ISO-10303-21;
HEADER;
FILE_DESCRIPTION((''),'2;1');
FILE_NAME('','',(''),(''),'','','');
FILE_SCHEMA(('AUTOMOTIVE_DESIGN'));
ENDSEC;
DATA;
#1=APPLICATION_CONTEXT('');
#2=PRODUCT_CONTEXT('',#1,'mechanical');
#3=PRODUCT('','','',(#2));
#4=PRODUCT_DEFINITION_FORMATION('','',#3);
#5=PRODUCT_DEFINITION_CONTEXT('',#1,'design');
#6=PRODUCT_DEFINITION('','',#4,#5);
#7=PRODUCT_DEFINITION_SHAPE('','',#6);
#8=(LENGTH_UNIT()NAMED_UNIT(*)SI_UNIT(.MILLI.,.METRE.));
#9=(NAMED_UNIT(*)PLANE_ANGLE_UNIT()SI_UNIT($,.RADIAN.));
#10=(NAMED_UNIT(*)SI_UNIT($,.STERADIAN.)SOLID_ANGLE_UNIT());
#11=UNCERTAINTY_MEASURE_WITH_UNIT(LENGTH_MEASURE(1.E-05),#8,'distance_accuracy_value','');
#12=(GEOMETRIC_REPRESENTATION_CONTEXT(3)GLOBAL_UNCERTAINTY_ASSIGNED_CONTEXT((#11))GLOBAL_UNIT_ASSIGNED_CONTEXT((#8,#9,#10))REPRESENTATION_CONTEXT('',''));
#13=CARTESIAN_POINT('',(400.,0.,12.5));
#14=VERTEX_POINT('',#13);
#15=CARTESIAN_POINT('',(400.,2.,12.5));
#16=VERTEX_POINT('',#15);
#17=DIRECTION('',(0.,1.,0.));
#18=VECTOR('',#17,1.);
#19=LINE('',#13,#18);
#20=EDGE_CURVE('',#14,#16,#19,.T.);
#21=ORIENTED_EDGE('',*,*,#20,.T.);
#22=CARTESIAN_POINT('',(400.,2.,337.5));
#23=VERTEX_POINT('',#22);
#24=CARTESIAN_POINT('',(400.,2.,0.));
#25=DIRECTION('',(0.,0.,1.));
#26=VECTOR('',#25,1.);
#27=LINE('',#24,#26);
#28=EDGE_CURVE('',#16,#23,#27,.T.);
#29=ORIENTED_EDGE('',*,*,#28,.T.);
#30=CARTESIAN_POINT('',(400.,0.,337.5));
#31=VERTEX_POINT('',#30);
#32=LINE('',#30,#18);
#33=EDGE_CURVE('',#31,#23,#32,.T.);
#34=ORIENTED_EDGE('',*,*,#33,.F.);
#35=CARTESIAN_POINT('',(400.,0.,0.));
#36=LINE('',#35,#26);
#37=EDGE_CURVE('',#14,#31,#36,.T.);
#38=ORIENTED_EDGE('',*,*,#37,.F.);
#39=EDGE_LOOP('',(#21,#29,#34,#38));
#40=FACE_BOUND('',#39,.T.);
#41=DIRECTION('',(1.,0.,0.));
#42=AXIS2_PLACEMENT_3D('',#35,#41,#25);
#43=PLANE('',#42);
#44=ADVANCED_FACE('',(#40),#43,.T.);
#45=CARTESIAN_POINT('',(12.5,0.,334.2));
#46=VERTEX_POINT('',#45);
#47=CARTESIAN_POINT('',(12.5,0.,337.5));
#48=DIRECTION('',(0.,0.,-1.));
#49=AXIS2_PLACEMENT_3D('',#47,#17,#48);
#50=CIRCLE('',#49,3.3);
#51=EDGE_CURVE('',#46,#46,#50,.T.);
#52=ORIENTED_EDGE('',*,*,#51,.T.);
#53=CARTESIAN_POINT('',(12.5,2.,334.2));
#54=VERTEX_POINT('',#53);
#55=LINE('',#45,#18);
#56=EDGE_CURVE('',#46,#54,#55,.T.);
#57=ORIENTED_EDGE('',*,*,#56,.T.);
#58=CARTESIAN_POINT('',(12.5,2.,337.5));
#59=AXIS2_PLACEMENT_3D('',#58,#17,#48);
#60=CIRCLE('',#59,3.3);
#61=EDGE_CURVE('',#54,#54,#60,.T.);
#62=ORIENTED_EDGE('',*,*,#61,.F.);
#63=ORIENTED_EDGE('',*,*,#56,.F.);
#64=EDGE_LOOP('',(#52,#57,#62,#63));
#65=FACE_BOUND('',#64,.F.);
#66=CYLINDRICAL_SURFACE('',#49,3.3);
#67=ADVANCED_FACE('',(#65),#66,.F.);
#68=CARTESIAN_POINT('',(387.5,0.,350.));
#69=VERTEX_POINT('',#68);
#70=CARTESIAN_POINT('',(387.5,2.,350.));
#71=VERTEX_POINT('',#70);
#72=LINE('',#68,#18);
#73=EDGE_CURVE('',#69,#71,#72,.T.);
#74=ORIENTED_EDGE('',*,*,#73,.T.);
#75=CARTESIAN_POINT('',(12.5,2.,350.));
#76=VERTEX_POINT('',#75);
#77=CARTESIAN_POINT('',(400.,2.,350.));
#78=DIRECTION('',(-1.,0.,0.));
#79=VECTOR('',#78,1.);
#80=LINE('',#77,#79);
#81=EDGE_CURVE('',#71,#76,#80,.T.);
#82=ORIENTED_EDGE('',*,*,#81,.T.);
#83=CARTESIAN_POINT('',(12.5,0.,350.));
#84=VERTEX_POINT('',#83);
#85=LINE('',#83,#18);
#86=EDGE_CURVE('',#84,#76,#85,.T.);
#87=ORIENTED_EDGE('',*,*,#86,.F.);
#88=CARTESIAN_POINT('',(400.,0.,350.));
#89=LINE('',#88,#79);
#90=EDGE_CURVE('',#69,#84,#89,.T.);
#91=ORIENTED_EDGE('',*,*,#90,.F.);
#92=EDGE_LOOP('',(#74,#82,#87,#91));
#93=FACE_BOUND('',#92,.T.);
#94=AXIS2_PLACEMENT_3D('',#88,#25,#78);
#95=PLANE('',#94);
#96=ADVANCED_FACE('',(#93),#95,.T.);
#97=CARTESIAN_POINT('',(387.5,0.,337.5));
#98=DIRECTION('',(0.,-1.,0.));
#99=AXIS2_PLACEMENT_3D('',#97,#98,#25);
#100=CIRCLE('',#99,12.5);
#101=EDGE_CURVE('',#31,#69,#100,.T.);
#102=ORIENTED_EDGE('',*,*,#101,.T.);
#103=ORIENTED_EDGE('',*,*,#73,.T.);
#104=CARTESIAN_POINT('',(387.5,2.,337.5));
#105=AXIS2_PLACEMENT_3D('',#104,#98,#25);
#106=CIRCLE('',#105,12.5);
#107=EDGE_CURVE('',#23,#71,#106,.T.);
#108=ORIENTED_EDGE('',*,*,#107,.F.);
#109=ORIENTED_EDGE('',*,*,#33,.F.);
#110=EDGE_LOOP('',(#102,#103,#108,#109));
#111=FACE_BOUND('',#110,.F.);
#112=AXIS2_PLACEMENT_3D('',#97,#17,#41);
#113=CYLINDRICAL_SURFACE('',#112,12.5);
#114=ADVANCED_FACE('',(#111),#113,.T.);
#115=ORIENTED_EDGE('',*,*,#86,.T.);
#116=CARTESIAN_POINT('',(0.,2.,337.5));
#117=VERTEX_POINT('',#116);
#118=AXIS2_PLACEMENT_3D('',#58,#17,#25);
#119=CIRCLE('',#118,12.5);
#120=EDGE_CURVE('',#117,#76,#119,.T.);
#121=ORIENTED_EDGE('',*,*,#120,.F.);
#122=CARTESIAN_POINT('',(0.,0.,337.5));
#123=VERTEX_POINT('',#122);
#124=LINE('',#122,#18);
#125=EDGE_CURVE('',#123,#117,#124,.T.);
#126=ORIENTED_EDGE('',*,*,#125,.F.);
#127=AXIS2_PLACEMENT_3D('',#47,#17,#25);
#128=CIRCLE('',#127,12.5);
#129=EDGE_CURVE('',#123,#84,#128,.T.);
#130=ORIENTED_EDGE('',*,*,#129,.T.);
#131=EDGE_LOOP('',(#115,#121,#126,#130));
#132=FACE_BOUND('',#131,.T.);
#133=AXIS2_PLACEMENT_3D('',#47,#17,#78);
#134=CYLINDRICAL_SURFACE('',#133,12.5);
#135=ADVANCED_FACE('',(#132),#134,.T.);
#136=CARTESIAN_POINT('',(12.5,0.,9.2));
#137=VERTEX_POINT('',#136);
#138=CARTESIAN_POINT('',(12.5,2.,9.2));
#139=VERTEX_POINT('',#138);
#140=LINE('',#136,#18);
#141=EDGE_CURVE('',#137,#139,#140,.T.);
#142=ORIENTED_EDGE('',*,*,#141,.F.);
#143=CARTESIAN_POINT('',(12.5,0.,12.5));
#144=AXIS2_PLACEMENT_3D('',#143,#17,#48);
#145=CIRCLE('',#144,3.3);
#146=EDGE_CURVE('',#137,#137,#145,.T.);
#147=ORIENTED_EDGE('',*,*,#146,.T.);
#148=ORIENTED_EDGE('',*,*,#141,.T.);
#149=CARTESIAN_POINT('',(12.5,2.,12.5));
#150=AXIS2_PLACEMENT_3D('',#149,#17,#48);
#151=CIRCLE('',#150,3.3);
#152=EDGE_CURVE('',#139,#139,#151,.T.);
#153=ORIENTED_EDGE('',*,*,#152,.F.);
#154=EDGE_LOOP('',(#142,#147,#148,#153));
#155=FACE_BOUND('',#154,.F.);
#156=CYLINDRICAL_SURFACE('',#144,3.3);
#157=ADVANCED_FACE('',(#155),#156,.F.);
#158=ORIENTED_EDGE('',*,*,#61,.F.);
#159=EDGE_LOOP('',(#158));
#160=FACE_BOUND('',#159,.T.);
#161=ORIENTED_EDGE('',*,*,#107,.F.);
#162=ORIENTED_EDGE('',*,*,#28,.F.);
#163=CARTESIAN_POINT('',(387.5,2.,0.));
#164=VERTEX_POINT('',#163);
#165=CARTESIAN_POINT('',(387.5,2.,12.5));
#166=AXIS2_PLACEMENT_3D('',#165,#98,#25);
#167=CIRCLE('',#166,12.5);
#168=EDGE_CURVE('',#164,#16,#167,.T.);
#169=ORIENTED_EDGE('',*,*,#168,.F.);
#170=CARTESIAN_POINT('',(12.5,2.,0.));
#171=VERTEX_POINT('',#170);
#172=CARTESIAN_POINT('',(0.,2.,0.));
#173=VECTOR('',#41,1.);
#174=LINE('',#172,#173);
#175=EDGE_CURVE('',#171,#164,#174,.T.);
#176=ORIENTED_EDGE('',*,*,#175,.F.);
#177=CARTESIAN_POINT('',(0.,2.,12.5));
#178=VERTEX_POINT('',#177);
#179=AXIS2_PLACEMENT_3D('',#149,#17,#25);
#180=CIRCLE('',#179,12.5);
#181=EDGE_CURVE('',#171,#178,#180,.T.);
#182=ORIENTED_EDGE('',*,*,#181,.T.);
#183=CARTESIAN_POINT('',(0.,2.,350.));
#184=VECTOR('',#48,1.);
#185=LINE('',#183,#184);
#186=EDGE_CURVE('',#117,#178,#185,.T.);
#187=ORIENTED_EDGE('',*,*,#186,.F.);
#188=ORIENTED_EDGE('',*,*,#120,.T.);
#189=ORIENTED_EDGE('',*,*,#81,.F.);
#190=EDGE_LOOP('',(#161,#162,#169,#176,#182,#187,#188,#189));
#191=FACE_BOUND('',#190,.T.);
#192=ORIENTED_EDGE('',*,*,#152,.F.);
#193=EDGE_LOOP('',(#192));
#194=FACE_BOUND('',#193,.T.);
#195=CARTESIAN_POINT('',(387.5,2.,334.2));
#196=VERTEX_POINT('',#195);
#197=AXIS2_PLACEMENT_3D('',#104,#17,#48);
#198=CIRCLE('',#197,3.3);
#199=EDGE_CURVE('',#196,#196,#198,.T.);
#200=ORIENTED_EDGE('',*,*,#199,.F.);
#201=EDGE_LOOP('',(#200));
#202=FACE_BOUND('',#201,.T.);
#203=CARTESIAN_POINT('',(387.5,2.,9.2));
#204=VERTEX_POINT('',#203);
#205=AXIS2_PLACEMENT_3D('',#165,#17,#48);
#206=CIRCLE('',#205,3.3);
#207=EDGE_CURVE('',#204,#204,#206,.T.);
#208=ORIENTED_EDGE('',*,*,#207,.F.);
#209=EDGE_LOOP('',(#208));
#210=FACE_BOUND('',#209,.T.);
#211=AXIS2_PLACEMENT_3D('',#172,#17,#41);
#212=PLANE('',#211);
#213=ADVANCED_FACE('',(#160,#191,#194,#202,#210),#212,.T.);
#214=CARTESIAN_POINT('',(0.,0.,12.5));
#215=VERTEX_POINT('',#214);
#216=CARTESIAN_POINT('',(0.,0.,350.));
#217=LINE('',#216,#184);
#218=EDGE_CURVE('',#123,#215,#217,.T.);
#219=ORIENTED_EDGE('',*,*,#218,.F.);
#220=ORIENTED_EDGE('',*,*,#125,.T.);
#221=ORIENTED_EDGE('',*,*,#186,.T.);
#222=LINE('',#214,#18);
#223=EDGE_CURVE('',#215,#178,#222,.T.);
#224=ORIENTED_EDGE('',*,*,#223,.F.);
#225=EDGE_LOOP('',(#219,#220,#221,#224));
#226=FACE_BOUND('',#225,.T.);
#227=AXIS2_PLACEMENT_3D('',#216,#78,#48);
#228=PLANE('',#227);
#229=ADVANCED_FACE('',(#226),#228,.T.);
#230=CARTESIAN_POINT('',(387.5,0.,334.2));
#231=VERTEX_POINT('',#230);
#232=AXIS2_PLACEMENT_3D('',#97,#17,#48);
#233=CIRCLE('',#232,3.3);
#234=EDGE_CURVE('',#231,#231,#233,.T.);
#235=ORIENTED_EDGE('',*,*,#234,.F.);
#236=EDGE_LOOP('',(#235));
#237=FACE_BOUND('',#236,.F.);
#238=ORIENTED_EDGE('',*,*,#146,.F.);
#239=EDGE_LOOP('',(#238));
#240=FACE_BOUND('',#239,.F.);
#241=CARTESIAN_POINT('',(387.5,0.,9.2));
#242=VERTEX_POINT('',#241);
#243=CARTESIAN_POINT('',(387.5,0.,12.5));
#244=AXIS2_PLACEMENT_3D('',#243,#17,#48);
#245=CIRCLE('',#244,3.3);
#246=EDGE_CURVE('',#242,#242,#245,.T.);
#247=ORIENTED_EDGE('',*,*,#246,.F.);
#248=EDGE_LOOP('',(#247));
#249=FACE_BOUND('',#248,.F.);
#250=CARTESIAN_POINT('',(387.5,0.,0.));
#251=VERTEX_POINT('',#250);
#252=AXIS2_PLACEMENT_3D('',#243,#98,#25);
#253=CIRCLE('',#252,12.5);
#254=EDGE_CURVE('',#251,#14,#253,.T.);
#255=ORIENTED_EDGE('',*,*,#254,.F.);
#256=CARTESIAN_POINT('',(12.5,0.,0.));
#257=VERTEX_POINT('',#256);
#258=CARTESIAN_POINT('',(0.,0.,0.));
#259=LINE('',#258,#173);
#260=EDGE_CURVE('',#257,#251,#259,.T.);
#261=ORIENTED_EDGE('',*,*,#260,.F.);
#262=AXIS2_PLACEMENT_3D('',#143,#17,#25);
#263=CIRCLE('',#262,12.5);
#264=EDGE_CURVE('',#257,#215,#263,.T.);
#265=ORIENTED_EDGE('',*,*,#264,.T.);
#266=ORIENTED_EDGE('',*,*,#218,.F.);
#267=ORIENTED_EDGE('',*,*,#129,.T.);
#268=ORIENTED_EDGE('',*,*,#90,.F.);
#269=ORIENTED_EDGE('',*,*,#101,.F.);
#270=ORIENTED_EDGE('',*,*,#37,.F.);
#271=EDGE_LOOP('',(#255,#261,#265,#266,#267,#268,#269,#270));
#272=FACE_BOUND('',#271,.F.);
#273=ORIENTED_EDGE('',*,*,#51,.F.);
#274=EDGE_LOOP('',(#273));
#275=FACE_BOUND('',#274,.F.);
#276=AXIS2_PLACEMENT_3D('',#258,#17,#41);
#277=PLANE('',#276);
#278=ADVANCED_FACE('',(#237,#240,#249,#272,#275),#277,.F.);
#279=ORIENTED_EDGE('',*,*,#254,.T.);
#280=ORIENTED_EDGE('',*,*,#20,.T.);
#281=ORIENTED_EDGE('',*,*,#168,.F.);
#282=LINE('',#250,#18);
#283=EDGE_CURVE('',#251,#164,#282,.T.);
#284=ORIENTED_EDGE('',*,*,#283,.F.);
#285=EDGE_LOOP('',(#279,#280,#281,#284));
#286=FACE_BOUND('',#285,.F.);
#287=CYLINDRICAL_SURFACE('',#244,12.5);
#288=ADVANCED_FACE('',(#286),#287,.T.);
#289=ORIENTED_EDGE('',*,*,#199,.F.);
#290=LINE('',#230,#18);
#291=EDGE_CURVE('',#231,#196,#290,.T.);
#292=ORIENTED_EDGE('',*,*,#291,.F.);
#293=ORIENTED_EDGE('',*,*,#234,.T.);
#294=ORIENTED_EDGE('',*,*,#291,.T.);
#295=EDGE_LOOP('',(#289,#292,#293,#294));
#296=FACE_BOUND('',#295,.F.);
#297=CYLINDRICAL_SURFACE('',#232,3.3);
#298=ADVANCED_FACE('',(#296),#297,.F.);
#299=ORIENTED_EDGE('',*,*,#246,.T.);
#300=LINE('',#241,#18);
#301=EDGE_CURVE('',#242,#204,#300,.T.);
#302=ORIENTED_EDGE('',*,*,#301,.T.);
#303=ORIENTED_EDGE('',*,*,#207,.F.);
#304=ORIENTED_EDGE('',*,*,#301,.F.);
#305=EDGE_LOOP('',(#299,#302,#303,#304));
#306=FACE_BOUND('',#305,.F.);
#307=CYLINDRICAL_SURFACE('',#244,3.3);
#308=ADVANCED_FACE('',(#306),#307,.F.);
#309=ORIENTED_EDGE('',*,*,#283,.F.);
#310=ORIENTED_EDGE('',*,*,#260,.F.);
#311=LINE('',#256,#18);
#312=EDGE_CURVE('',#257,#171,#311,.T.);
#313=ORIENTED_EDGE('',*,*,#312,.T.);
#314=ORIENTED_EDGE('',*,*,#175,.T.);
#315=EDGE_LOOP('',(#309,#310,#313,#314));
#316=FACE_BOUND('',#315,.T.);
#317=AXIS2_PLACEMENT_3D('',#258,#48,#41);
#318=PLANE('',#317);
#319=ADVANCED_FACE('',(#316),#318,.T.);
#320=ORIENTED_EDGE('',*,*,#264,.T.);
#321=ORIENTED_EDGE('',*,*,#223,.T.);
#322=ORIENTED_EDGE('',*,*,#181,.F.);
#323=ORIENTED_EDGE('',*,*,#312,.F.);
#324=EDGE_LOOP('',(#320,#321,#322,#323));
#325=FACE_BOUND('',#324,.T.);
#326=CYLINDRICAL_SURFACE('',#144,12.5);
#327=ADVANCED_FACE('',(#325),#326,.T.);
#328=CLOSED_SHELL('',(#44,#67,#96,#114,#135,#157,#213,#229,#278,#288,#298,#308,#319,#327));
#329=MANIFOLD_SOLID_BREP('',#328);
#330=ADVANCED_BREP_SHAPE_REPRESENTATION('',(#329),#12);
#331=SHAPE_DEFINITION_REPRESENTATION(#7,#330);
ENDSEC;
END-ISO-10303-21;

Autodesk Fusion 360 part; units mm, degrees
sketch "Sketch1" plane through (0, 0, 0) normal (0, 1, 0) x (1, 0, 0)
  line L0 (0, 0) -> (400, 0)
  line L1 (400, 0) -> (400, -350)
  line L2 (400, -350) -> (0, -350)
  line L3 (0, -350) -> (0, 0)
  line L4 (12.5, -12.5) -> (387.5, -12.5) construction
  line L5 (387.5, -12.5) -> (387.5, -337.5) construction
  line L6 (387.5, -337.5) -> (12.5, -337.5) construction
  line L7 (12.5, -337.5) -> (12.5, -12.5) construction
  line L8 (0, -175) -> (400, -175) construction
  line L9 (200, 0) -> (200, -350) construction
  dimension "d1" = 350
  dimension "d2" = 400
  dimension "d3" = 325
  dimension "d4" = 375
extrude "Extrude1" add sketch "Sketch1" along normal blind 2
hole "Hole1" at (12.5, 0, 337.5) at (387.5, 0, 337.5) at (12.5, 0, 12.5) at (387.5, 0, 12.5) direction (0, 1, 0) diameter 6.6 end through all
fillet "Fillet1" radius 12.5 4 edges at (0, 1, 350) (400, 1, 350) (400, 1, 0) (0, 1, 0)
sketch "Sketch2" plane through (0, 0, 0) normal (0, -1, 0) x (1, 0, 0)
  arc A0 (0, 12.5) -> (12.5, 0) centre (12.5, 12.5) ccw
  line L0 (12.5, 0) -> (387.5, 0)
  arc A1 (387.5, 0) -> (400, 12.5) centre (387.5, 12.5) ccw
  line L1 (400, 12.5) -> (400, 337.5)
  arc A2 (400, 337.5) -> (387.5, 350) centre (387.5, 337.5) ccw
  line L2 (387.5, 350) -> (12.5, 350)
  arc A3 (12.5, 350) -> (0, 337.5) centre (12.5, 337.5) ccw
  line L3 (0, 337.5) -> (0, 12.5)
  circle A4 centre (12.5, 12.5) radius 3.3
  circle A5 centre (12.5, 337.5) radius 3.3
  circle A6 centre (387.5, 337.5) radius 3.3
  circle A7 centre (387.5, 12.5) radius 3.3
